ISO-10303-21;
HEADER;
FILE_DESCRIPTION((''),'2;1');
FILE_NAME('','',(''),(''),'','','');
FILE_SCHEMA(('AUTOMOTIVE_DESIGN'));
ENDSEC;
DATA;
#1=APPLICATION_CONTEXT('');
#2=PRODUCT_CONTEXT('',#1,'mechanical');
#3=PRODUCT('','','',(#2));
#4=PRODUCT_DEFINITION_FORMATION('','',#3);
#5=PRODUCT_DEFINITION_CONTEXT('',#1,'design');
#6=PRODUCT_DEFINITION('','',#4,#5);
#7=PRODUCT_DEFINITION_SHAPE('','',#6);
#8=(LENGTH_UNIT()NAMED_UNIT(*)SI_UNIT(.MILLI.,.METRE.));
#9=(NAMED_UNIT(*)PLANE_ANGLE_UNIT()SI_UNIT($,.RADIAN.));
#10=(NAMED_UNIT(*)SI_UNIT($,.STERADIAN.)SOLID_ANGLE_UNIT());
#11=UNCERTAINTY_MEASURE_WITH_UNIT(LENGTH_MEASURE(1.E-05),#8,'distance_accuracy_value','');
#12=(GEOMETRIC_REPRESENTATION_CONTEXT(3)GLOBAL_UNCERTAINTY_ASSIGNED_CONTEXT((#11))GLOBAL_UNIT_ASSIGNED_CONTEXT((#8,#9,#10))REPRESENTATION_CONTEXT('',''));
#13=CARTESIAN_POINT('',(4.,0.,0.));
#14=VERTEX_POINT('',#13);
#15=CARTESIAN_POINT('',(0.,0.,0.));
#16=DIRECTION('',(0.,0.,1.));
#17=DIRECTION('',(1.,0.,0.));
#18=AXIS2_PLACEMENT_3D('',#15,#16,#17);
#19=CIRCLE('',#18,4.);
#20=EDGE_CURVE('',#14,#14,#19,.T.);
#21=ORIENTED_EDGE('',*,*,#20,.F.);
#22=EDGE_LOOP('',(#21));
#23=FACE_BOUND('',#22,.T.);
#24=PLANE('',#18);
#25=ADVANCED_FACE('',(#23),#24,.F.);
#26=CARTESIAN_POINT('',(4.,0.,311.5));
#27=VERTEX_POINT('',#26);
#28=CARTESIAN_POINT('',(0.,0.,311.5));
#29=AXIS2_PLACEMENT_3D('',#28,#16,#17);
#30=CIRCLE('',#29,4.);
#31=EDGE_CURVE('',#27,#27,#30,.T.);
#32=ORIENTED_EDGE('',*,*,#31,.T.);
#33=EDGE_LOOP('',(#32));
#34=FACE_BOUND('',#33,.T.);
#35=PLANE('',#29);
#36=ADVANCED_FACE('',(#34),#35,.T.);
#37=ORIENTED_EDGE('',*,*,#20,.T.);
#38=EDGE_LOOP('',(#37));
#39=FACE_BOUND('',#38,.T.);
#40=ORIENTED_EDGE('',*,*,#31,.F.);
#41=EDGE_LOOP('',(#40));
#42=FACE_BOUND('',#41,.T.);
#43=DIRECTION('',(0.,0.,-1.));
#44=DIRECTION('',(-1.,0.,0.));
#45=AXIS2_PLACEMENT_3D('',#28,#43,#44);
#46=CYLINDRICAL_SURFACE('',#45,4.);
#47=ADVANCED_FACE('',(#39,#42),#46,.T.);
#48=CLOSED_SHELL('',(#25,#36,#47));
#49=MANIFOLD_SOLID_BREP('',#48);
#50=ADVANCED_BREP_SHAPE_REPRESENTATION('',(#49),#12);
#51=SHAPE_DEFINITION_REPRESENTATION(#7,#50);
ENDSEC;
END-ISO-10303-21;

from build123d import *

# Parameters (mm, degrees)
SKETCH1_R           = 4
BOSS_EXTRUDE1_DEPTH = 311.5


with BuildPart() as part:
    # Sketch1 → Boss-Extrude1 (new body)
    with BuildSketch(Plane.XY):
        Circle(SKETCH1_R)
    extrude(amount=BOSS_EXTRUDE1_DEPTH)


solid = part.part
